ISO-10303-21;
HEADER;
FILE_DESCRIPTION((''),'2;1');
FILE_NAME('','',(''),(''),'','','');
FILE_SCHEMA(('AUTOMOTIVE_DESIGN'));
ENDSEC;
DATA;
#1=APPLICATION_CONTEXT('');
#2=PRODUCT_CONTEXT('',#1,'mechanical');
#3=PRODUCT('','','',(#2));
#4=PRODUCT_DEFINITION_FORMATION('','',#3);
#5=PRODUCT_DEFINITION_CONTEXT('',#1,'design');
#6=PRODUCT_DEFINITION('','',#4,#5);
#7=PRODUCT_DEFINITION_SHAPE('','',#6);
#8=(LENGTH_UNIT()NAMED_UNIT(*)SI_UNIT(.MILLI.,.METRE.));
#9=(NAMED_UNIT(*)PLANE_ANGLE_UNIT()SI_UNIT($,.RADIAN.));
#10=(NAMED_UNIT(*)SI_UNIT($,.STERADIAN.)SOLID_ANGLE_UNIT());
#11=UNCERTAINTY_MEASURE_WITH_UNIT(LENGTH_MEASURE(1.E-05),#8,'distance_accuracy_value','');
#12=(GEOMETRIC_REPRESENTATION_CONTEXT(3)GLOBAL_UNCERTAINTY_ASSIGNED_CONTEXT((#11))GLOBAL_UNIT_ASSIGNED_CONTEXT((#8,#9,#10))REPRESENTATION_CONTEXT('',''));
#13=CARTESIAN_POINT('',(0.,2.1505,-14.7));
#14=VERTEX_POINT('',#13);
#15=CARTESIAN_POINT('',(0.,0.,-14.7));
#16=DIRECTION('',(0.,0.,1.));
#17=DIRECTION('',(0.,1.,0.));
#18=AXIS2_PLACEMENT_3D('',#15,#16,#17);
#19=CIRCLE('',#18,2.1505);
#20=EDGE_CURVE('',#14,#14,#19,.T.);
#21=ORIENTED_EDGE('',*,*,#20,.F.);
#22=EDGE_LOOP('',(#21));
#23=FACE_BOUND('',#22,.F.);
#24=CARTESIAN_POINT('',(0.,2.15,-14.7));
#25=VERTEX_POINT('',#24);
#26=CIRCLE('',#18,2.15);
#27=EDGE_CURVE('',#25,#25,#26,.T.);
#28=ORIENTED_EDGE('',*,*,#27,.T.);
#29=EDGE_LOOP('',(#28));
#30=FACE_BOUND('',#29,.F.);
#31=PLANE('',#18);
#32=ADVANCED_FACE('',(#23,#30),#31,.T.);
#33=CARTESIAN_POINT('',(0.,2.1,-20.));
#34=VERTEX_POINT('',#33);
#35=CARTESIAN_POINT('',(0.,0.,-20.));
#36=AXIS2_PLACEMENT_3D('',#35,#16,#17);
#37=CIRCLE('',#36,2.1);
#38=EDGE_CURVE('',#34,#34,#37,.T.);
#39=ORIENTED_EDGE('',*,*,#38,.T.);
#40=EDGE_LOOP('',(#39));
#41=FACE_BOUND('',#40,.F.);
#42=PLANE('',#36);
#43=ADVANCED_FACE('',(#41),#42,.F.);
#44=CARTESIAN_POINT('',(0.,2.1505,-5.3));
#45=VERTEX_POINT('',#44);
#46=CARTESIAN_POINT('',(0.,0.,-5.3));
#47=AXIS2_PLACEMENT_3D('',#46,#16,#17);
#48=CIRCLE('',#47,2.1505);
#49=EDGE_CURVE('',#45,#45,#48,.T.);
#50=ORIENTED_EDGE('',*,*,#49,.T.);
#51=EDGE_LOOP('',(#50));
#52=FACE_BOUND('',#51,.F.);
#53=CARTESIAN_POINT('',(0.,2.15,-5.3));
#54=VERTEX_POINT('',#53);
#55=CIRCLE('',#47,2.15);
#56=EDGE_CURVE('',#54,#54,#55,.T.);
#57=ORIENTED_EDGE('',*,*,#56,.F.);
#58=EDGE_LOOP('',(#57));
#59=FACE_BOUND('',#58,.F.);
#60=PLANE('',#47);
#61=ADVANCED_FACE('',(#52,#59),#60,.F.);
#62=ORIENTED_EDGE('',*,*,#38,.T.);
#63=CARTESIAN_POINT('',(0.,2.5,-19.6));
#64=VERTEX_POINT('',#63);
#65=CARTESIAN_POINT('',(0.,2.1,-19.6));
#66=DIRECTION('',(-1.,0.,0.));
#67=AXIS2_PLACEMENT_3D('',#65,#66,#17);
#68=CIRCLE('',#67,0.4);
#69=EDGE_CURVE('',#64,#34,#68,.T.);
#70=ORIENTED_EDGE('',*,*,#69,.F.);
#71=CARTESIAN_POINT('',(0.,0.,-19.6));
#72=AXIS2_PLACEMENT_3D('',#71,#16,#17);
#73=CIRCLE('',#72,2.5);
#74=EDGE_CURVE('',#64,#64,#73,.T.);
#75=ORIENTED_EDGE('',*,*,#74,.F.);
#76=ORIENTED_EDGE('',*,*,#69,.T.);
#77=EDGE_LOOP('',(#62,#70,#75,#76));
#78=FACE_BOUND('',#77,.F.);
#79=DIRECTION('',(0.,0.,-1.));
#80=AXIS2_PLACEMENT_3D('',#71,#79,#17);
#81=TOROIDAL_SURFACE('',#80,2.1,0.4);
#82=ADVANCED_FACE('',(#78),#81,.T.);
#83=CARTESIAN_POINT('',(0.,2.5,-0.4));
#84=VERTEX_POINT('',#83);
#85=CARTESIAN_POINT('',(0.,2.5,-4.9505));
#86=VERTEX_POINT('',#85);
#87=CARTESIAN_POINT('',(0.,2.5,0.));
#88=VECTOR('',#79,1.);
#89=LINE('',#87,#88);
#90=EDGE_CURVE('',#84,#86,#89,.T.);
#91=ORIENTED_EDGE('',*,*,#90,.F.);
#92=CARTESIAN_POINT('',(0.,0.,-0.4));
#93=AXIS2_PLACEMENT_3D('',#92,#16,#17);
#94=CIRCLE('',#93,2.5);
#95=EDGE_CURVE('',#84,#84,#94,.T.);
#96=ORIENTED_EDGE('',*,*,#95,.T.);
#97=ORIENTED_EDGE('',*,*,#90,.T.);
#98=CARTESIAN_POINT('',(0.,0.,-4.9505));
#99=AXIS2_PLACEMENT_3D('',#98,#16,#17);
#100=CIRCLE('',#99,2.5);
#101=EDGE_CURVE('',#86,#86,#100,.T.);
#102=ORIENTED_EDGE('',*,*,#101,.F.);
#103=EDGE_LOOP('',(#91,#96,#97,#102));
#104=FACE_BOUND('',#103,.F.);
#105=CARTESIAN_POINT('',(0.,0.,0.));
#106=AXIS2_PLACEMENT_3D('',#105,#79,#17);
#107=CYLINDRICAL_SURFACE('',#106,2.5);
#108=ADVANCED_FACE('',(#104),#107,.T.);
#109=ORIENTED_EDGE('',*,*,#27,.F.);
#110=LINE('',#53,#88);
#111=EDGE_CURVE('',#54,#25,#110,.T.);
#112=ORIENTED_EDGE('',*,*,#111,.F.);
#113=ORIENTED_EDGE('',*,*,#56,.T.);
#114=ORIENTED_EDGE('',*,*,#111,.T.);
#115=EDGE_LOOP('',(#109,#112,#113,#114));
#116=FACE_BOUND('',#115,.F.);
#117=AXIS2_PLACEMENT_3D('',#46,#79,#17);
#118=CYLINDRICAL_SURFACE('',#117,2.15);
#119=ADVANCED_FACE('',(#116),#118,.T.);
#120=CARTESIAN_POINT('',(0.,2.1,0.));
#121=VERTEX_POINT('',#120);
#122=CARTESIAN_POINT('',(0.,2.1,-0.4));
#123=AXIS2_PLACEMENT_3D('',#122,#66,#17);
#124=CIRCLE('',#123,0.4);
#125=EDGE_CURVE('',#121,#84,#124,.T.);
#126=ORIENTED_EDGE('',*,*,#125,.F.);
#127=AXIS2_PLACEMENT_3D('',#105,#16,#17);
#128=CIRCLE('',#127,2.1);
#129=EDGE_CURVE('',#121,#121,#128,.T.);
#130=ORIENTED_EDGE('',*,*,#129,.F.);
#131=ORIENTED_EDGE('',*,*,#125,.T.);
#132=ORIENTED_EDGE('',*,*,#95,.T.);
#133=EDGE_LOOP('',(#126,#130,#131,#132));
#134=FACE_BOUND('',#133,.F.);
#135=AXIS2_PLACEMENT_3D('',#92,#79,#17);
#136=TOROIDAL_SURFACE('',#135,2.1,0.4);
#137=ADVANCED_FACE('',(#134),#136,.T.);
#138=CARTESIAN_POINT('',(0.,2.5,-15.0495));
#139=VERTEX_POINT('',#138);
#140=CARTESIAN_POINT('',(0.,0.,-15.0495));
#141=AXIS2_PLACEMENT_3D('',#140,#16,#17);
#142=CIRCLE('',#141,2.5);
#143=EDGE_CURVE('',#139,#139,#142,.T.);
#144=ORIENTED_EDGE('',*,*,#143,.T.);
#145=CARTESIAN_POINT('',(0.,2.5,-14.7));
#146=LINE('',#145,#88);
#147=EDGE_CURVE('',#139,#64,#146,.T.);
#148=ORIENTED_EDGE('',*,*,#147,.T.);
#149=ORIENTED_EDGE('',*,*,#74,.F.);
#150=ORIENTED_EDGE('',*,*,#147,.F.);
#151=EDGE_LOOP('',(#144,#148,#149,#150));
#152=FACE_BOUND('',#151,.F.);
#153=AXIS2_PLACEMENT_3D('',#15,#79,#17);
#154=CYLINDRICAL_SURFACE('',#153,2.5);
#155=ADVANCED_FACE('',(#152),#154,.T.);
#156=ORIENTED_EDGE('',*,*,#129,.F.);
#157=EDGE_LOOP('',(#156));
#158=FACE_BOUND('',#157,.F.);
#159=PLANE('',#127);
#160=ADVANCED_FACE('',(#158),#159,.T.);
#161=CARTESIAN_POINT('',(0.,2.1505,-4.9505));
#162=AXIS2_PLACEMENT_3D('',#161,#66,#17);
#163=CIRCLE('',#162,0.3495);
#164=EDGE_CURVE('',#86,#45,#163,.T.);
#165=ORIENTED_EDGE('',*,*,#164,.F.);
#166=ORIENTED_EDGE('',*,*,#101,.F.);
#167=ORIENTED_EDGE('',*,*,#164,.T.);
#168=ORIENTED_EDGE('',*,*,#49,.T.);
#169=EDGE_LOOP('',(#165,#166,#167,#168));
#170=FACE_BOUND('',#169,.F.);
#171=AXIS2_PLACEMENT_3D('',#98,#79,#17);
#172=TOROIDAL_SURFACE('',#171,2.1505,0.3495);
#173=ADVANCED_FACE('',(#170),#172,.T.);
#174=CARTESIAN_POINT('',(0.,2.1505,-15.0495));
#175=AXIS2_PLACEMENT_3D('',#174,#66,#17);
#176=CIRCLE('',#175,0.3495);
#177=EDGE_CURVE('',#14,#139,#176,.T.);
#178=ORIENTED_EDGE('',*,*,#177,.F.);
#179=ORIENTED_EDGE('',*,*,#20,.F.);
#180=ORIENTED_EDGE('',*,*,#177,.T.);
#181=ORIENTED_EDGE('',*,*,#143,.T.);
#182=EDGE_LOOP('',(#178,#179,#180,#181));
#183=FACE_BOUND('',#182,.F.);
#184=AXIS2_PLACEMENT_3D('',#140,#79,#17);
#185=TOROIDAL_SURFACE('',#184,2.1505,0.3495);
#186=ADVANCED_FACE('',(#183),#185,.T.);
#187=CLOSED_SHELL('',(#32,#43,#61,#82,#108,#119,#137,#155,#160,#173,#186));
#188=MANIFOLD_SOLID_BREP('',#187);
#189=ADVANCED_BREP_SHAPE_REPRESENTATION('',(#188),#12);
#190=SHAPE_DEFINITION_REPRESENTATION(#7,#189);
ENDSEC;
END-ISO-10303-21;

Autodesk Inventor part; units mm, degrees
ref_plane "YZ Plane" through (0, 0, 0) normal (1, 0, 0) x (0, 1, 0)
ref_plane "XZ Plane" through (0, 0, 0) normal (0, 1, 0) x (-1, 0, 0)
ref_plane "XY Plane" through (0, 0, 0) normal (0, 0, 1) x (1, 0, 0)
sketch "Sketch2" plane through (0, 0, 0) normal (1, 0, 0) x (0, 1, 0)
  line L0 (0, 0) -> (2.5, 0)
  line L1 (2.5, 0) -> (2.5, -5.3)
  line L2 (2.5, -5.3) -> (2.15, -5.3)
  line L3 (2.15, -5.3) -> (2.15, -14.7)
  line L4 (2.15, -14.7) -> (2.5, -14.7)
  line L5 (2.5, -14.7) -> (2.5, -20)
  line L6 (2.5, -20) -> (0, -20)
  line L7 (0, -20) -> (0, 0)
  dimension "d1" = 2.5
  dimension "d2" = 5.3
  dimension "d3" = 0.35
  dimension "d4" = 9.4
  dimension "d5" = 0.35
  dimension "d6" = 5.3
  dimension "d7" = 2.5
revolve "Revolution1" add sketch "Sketch2" angle 360 about axis through (0, 0, -20) along (0, 0, 1)
fillet "Fillet4" radius 0.4 2 edges at (0, -2.5, -20) (0, -2.5, 0)
fillet "Fillet5" radius 0.35 2 edges at (0, -2.5, -14.7) (0, -2.5, -5.3)
equation "\"d5\" = d3"
equation "\"d6\" = d2"
equation "\"d7\" = d1"
properties part number "Fusible de 2A"
